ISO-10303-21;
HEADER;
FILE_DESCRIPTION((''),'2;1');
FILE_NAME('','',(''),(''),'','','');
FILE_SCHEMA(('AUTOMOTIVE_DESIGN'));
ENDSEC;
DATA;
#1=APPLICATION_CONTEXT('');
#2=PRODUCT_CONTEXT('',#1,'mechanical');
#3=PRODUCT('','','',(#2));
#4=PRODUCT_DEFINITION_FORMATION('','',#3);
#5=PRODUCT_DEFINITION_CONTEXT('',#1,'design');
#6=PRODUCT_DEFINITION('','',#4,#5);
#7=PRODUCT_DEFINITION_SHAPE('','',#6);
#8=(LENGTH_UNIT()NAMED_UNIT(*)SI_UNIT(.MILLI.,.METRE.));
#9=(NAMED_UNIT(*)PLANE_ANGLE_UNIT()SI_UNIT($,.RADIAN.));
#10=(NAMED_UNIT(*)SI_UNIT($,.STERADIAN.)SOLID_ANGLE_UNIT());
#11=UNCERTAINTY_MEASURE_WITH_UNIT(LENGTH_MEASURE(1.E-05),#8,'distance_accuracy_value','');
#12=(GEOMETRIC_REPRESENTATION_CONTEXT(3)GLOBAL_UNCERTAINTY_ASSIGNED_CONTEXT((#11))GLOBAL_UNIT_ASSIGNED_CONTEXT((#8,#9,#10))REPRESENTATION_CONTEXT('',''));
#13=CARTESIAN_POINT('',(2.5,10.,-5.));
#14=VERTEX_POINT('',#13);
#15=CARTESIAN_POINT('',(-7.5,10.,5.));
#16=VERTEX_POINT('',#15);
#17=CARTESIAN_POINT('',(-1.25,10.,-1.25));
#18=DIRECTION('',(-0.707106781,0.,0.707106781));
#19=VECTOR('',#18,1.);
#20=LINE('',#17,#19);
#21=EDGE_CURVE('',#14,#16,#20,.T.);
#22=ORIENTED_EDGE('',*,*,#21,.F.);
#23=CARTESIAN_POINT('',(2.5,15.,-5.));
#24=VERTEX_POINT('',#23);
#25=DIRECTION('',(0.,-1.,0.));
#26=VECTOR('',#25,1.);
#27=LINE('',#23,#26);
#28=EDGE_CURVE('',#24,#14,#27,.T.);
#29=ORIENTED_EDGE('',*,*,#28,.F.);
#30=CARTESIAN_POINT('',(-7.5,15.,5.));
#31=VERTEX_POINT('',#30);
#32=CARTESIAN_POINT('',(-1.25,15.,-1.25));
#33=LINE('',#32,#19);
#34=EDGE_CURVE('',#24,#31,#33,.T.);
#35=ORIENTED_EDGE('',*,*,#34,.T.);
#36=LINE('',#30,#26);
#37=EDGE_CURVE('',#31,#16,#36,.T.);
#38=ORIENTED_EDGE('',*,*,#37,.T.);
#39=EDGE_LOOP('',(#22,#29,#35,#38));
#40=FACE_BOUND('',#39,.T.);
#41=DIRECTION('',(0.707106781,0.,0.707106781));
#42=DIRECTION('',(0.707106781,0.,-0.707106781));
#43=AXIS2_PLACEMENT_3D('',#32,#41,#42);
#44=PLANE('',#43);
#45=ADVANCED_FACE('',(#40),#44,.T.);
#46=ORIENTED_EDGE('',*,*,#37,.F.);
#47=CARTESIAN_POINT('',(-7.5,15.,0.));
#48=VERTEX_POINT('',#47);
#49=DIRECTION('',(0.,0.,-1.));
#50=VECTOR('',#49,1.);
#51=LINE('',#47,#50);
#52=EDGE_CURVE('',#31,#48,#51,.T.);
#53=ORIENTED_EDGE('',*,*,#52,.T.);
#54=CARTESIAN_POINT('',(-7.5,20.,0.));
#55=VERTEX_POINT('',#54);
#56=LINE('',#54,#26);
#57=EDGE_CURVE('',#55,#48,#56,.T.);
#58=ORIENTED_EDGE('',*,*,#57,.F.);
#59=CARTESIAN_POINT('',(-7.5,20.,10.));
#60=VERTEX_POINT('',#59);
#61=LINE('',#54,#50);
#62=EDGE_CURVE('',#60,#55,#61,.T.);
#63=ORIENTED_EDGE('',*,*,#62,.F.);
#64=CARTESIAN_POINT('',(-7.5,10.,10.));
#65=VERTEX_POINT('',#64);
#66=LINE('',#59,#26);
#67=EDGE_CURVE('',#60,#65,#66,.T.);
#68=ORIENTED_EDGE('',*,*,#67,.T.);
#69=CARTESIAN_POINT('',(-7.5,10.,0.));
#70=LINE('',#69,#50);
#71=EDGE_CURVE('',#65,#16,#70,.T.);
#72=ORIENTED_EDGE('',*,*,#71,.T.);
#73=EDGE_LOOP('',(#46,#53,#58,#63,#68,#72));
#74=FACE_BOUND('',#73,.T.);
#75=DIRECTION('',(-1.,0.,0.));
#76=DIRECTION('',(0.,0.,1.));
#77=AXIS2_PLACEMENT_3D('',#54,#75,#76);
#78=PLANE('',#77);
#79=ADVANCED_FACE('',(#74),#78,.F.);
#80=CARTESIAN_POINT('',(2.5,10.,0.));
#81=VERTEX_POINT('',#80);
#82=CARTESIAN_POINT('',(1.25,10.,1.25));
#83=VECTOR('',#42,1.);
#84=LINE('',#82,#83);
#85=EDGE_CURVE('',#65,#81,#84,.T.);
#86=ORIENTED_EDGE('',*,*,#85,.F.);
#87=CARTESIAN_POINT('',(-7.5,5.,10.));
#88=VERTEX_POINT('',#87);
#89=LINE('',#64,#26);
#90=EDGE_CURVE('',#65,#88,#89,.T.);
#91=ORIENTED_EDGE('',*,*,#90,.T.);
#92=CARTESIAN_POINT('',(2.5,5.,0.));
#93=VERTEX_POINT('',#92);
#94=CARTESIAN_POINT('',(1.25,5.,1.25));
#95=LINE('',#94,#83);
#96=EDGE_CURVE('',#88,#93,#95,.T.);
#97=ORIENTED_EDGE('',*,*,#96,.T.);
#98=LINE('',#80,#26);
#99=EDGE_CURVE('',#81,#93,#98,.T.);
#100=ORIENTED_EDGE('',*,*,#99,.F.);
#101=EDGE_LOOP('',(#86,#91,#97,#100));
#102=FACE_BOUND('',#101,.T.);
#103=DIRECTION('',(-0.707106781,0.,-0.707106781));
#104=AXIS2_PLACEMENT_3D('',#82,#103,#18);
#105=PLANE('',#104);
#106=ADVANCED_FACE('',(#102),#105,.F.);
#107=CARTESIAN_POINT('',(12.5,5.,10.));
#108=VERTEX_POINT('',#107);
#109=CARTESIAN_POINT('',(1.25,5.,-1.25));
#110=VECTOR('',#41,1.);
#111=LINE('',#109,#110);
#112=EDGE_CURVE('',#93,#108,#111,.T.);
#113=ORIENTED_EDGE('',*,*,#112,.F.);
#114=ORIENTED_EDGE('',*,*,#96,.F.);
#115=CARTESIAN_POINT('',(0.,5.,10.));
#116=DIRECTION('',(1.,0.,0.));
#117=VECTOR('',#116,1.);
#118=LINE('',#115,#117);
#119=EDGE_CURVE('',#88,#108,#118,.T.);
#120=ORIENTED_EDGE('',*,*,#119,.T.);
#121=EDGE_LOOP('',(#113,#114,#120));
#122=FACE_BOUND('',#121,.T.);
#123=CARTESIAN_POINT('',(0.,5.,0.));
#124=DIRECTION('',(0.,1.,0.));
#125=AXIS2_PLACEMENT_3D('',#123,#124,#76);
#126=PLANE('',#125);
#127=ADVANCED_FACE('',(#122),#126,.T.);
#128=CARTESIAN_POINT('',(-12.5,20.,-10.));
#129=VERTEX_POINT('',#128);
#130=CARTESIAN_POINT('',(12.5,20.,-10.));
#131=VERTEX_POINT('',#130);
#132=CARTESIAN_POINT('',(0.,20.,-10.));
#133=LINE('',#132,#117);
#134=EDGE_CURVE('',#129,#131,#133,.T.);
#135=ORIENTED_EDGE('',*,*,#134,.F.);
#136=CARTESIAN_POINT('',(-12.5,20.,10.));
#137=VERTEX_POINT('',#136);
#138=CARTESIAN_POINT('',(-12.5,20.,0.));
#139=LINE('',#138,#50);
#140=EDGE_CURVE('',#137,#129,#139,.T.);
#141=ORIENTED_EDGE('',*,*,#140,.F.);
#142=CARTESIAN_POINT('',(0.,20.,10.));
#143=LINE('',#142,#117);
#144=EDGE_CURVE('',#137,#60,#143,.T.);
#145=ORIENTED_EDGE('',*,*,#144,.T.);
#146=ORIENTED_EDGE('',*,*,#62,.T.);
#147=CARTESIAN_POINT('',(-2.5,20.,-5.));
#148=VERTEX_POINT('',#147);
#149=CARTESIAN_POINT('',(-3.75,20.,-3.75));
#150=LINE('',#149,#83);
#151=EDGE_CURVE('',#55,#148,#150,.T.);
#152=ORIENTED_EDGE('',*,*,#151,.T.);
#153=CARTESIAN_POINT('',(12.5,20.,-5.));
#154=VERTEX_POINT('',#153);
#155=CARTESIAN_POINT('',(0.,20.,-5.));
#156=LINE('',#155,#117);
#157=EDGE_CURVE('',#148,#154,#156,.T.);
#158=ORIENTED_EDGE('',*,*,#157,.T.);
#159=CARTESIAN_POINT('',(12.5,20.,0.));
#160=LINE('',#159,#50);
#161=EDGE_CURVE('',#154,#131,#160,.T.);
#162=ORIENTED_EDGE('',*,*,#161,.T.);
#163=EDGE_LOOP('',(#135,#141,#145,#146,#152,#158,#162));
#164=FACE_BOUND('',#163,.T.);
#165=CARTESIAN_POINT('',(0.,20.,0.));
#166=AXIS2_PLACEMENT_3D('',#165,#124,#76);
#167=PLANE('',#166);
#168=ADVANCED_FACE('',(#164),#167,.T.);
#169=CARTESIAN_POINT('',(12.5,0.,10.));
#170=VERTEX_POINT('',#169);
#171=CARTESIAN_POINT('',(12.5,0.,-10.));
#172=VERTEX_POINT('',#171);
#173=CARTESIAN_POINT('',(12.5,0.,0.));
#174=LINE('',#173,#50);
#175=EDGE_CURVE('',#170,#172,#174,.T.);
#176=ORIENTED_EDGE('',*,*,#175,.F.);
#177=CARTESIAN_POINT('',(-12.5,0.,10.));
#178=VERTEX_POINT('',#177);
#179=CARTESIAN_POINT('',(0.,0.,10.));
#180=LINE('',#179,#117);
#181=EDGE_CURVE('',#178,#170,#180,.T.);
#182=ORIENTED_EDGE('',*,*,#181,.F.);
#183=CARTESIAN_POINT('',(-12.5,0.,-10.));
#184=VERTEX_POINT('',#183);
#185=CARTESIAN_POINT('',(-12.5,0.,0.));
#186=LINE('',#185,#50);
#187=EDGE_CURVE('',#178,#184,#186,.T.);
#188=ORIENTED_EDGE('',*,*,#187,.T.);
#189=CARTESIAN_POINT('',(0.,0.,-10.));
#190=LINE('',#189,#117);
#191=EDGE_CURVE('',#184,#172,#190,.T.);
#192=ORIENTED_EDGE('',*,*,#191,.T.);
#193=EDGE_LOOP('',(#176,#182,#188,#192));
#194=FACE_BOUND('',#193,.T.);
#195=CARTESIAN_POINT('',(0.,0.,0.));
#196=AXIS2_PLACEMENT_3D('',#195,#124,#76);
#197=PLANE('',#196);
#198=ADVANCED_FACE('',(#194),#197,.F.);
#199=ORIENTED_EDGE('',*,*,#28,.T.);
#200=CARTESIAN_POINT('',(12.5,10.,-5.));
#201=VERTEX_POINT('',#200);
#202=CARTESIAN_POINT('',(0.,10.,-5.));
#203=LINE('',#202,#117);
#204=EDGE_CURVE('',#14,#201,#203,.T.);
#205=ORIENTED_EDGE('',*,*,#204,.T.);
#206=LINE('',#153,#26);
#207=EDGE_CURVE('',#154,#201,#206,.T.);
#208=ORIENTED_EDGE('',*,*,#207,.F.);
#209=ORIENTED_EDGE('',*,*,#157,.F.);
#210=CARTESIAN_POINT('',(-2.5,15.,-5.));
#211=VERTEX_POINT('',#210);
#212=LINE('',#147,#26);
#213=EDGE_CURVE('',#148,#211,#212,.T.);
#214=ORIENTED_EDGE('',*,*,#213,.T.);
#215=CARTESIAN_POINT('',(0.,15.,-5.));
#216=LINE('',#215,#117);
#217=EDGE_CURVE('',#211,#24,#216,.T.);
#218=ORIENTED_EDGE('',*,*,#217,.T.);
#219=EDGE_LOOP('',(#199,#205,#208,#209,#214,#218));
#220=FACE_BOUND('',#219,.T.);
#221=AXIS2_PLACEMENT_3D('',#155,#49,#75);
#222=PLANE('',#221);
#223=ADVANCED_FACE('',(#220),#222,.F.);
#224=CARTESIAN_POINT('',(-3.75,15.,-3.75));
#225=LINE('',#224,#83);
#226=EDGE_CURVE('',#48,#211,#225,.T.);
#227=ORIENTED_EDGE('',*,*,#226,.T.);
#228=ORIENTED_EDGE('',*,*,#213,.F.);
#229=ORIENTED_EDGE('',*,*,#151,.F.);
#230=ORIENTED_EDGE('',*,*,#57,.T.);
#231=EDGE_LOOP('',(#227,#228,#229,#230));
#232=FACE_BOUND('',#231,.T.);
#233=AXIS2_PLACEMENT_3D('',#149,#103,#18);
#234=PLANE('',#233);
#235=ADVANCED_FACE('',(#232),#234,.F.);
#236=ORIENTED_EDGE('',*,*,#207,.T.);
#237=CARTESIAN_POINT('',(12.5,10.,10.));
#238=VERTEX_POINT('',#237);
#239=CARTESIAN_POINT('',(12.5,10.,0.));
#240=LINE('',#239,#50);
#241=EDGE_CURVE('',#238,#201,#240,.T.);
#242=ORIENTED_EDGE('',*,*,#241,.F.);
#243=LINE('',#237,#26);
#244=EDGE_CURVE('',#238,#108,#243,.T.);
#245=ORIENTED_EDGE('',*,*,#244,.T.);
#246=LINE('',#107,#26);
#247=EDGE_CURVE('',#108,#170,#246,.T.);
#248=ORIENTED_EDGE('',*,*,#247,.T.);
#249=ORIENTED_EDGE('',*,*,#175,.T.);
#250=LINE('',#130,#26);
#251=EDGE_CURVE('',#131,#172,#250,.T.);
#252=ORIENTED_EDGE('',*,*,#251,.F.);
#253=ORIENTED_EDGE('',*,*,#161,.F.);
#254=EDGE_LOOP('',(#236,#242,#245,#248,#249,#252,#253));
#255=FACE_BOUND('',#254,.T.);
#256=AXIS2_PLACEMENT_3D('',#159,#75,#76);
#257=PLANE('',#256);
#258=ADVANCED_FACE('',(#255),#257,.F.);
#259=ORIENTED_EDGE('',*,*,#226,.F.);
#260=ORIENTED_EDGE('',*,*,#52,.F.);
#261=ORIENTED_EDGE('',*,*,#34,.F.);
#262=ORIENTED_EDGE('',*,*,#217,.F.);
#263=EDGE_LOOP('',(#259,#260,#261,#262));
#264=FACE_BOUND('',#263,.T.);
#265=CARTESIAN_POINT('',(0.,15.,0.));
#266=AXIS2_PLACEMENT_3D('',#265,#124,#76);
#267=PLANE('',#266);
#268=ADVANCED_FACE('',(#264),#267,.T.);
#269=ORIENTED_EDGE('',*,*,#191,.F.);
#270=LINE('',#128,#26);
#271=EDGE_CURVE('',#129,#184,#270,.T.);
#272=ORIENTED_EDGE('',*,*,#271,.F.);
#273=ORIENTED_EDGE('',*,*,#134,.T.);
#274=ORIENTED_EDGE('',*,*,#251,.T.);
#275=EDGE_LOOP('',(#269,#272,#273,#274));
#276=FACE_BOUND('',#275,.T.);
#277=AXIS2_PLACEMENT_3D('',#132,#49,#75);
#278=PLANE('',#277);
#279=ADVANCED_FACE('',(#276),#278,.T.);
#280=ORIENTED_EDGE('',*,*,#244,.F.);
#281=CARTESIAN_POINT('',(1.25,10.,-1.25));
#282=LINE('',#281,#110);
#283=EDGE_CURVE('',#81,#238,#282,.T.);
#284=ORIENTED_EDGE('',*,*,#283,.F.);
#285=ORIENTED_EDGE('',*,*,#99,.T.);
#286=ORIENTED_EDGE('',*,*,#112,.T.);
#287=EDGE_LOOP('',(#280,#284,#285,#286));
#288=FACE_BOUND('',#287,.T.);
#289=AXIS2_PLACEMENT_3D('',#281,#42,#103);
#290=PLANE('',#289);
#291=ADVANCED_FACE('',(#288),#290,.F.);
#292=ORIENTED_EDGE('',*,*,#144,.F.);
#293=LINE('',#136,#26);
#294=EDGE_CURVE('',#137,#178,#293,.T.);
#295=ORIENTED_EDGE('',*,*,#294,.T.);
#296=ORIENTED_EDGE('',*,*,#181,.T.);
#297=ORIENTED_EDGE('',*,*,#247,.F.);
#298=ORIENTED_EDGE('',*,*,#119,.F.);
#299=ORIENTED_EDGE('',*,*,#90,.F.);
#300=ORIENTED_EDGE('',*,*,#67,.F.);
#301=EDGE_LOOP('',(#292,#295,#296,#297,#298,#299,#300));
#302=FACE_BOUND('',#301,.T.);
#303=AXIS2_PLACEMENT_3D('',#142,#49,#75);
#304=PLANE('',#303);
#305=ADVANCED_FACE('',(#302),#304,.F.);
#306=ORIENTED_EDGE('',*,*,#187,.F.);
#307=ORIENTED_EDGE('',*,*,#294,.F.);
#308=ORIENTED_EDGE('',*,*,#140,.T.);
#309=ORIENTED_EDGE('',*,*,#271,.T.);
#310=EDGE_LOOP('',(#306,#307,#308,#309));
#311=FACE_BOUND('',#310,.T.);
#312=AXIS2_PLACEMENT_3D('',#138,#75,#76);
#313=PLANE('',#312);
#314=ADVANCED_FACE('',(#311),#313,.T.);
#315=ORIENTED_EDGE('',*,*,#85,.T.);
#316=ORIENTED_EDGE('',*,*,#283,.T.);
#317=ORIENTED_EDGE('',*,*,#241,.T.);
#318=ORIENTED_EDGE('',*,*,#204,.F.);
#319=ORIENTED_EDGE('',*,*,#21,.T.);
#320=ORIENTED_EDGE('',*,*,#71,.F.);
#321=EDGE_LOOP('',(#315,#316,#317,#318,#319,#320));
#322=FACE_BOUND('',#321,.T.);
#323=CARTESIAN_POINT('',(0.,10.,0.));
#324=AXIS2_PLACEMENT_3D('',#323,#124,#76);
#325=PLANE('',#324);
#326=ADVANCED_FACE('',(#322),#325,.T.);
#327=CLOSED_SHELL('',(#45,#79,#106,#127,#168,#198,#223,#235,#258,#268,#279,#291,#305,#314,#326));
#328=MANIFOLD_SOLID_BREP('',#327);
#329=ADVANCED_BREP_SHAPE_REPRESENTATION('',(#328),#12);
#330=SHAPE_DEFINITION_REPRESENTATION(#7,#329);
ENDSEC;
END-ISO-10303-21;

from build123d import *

# Parameters (mm, degrees)
EXTRUDE_2_DEPTH = 20
EXTRUDE_3_DEPTH = 15
EXTRUDE_4_DEPTH = 10
EXTRUDE_5_DEPTH = 5


with BuildPart() as part:
    # 草圖1 → 填料-伸長2 (new body)
    with BuildSketch(Plane(origin=(0, 0, 0), x_dir=(1, 0, 0), z_dir=(0, 1, 0))):
        Polygon((-12.5, -10), (-7.5, -10), (-7.5, 0), (-2.5, 5), (12.5, 5), (12.5, 10), (-12.5, 10), align=None)
    extrude(amount=EXTRUDE_2_DEPTH)

    # 草圖1<4> → 填料-伸長3 (add)
    with BuildSketch(Plane(origin=(0, 0, 0), x_dir=(1, 0, 0), z_dir=(0, 1, 0))):
        Polygon((-7.5, 0), (-7.5, -5), (2.5, 5), (-2.5, 5), align=None)
    extrude(amount=EXTRUDE_3_DEPTH)

    # 草圖1<5> → 填料-伸長4 (add)
    with BuildSketch(Plane(origin=(0, 0, 0), x_dir=(1, 0, 0), z_dir=(0, 1, 0))):
        Polygon((-7.5, -5), (-7.5, -10), (2.5, 0), (12.5, -10), (12.5, 5), (2.5, 5), align=None)
    extrude(amount=EXTRUDE_4_DEPTH)

    # 草圖1<6> → 填料-伸長5 (add)
    with BuildSketch(Plane(origin=(0, 0, 0), x_dir=(1, 0, 0), z_dir=(0, 1, 0))):
        Polygon((2.5, 0), (-7.5, -10), (12.5, -10), align=None)
    extrude(amount=EXTRUDE_5_DEPTH)


solid = part.part
